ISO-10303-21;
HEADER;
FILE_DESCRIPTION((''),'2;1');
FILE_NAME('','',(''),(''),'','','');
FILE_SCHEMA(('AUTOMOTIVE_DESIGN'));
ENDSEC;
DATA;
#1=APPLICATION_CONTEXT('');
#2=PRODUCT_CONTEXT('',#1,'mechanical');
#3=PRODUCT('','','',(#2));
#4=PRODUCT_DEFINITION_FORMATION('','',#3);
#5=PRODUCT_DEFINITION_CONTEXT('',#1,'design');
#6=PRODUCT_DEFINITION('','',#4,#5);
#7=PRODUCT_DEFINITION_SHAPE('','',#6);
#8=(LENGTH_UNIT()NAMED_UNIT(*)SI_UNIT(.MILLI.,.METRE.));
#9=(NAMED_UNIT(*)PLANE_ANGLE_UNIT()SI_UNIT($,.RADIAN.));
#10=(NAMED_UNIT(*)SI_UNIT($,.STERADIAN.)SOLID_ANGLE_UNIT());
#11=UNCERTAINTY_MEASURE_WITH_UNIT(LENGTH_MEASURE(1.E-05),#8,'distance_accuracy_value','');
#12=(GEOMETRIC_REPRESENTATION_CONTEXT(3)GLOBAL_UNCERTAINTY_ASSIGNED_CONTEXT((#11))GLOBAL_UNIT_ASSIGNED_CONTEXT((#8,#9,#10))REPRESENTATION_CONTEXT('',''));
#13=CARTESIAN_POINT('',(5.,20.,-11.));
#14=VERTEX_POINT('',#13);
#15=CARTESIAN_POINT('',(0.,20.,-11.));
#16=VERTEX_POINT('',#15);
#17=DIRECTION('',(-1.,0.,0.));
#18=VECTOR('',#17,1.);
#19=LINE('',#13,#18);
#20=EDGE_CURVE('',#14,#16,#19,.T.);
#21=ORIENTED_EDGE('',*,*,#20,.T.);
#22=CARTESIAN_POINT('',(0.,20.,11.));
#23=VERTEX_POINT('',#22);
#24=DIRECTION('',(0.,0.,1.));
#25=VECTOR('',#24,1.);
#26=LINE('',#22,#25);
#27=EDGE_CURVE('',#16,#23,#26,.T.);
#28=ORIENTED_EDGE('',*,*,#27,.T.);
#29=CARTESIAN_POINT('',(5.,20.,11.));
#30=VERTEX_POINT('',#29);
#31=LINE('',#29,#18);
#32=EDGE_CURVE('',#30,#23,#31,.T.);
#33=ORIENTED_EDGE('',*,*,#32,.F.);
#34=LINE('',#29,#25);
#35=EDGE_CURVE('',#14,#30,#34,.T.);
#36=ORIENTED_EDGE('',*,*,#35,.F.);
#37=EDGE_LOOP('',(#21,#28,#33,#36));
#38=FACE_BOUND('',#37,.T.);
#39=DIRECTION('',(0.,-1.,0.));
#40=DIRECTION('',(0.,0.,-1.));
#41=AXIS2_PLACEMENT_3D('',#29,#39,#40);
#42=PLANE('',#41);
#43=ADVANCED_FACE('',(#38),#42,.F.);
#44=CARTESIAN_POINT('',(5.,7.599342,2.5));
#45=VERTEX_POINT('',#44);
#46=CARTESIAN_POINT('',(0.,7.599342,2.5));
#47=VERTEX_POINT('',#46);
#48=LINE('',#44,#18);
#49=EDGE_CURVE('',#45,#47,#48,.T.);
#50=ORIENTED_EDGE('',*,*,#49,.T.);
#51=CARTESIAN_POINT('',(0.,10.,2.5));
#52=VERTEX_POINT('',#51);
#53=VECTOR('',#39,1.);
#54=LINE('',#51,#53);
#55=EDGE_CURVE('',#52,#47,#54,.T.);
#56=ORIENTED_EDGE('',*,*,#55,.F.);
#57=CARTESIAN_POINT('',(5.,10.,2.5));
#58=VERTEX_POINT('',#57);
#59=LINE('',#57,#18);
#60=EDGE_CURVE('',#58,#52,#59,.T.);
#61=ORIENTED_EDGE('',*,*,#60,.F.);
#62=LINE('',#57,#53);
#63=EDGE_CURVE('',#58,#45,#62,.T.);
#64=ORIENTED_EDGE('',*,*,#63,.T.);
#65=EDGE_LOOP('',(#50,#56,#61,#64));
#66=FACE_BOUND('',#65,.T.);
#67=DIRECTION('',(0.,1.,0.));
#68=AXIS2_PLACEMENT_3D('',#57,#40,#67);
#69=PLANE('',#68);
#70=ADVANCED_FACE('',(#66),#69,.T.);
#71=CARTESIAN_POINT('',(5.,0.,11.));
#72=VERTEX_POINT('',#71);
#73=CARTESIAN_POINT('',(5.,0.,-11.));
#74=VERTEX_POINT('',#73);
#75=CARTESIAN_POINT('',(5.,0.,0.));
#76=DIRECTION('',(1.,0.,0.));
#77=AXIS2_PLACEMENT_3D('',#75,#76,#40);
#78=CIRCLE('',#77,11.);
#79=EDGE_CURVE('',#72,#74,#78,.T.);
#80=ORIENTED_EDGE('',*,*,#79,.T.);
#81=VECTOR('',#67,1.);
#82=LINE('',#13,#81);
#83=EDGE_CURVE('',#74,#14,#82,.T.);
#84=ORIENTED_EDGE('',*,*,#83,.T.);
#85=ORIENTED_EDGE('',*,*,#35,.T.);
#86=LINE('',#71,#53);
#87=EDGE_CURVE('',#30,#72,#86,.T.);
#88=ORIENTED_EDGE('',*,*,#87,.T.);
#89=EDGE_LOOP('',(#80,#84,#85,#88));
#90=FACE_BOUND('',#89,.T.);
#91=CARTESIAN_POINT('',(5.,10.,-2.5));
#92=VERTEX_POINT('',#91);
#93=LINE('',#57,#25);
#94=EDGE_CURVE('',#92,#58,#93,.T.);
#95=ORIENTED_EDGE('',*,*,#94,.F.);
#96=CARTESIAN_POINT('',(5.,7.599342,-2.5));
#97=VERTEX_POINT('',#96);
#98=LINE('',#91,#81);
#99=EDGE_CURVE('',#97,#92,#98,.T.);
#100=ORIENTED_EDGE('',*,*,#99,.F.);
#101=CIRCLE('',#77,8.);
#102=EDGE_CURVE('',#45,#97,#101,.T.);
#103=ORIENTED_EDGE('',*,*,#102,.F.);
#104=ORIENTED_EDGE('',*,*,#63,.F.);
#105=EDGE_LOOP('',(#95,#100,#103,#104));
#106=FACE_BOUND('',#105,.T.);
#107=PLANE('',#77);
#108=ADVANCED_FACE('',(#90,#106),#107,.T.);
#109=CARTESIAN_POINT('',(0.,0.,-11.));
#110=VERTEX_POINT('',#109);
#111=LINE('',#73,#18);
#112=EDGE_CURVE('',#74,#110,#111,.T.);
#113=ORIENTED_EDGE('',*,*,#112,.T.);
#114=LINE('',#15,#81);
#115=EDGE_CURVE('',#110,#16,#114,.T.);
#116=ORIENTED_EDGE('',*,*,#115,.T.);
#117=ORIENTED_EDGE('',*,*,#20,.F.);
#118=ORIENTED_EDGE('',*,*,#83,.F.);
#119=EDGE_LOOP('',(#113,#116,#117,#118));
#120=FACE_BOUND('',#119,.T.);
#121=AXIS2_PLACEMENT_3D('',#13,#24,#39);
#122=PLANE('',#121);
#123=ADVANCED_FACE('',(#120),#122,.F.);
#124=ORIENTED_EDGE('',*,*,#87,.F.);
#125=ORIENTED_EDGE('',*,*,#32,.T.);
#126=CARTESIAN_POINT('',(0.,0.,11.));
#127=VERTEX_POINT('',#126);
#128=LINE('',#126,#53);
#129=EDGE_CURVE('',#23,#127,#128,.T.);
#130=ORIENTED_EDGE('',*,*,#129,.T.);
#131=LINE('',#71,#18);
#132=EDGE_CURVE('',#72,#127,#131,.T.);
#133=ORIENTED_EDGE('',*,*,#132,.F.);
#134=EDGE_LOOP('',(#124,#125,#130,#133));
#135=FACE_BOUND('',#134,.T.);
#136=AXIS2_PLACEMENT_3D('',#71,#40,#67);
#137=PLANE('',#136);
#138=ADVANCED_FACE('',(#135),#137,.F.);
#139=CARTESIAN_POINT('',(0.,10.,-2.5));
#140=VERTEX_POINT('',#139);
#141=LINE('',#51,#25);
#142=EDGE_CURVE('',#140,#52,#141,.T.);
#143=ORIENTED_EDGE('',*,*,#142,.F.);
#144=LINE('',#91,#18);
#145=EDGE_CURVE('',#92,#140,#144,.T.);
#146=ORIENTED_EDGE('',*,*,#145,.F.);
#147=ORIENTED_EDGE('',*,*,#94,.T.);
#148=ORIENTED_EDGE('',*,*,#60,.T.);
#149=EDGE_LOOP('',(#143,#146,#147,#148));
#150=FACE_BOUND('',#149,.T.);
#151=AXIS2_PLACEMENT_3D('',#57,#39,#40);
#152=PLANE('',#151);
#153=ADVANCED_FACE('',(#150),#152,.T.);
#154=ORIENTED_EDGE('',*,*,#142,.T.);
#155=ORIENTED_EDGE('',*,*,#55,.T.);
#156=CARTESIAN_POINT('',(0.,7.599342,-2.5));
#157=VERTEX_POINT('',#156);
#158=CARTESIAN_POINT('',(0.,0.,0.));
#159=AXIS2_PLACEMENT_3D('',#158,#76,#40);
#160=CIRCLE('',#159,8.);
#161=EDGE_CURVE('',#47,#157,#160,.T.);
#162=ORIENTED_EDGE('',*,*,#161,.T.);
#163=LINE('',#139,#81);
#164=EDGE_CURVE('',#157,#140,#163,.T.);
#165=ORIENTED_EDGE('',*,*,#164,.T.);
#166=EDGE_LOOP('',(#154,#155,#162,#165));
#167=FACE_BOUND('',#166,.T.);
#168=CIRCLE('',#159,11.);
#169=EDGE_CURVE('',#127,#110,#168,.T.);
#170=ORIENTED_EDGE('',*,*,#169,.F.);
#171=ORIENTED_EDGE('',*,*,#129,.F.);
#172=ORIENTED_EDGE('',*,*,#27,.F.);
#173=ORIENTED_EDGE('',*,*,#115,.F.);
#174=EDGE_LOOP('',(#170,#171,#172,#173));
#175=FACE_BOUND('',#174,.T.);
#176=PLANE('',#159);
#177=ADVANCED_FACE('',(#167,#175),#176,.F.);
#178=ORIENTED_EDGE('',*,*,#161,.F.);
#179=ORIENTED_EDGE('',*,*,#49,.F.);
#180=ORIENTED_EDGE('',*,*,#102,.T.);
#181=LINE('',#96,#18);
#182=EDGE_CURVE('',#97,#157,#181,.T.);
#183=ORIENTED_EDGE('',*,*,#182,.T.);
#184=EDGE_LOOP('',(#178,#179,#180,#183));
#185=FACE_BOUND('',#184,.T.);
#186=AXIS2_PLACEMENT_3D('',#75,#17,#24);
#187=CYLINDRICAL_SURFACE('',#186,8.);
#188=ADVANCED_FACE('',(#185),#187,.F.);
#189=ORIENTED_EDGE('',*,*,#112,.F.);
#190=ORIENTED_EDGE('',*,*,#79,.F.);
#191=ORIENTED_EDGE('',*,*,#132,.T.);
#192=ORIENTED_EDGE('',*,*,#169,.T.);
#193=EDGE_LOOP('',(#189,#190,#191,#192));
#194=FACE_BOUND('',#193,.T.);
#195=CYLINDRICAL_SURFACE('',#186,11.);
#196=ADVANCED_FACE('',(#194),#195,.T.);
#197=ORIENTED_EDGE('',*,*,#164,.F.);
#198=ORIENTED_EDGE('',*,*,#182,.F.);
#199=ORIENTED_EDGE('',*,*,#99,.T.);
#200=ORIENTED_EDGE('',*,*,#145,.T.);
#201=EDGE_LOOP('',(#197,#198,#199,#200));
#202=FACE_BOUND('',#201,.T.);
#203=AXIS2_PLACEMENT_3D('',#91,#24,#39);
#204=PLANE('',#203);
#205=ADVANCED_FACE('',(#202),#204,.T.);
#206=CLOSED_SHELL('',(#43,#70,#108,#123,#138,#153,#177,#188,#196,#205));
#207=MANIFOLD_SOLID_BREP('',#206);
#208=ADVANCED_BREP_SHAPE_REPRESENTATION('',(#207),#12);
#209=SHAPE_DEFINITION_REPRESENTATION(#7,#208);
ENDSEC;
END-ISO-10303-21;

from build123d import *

# Parameters (mm, degrees)
BOSS_EXTRUDE1_DEPTH = 5


with BuildPart() as part:
    # Sketch1 → Boss-Extrude1 (new body)
    with BuildSketch(Plane(origin=(0, 0, 0), x_dir=(0, 0, -1), z_dir=(1, 0, 0))):
        with BuildLine():
            Line((-11, 0), (-11, 20))
            Line((-11, 20), (11, 20))
            Line((11, 20), (11, 0))
            ThreePointArc((11, 0), (0, -11), (-11, 0))
        make_face()
        with BuildLine():
            Line((-2.5, 10), (2.5, 10))
            Line((2.5, 10), (2.5, 7.599342077))
            ThreePointArc((2.5, 7.599342077), (0, -8), (-2.5, 7.599342077))
            Line((-2.5, 7.599342077), (-2.5, 10))
        make_face(mode=Mode.SUBTRACT)
    extrude(amount=BOSS_EXTRUDE1_DEPTH)


solid = part.part
